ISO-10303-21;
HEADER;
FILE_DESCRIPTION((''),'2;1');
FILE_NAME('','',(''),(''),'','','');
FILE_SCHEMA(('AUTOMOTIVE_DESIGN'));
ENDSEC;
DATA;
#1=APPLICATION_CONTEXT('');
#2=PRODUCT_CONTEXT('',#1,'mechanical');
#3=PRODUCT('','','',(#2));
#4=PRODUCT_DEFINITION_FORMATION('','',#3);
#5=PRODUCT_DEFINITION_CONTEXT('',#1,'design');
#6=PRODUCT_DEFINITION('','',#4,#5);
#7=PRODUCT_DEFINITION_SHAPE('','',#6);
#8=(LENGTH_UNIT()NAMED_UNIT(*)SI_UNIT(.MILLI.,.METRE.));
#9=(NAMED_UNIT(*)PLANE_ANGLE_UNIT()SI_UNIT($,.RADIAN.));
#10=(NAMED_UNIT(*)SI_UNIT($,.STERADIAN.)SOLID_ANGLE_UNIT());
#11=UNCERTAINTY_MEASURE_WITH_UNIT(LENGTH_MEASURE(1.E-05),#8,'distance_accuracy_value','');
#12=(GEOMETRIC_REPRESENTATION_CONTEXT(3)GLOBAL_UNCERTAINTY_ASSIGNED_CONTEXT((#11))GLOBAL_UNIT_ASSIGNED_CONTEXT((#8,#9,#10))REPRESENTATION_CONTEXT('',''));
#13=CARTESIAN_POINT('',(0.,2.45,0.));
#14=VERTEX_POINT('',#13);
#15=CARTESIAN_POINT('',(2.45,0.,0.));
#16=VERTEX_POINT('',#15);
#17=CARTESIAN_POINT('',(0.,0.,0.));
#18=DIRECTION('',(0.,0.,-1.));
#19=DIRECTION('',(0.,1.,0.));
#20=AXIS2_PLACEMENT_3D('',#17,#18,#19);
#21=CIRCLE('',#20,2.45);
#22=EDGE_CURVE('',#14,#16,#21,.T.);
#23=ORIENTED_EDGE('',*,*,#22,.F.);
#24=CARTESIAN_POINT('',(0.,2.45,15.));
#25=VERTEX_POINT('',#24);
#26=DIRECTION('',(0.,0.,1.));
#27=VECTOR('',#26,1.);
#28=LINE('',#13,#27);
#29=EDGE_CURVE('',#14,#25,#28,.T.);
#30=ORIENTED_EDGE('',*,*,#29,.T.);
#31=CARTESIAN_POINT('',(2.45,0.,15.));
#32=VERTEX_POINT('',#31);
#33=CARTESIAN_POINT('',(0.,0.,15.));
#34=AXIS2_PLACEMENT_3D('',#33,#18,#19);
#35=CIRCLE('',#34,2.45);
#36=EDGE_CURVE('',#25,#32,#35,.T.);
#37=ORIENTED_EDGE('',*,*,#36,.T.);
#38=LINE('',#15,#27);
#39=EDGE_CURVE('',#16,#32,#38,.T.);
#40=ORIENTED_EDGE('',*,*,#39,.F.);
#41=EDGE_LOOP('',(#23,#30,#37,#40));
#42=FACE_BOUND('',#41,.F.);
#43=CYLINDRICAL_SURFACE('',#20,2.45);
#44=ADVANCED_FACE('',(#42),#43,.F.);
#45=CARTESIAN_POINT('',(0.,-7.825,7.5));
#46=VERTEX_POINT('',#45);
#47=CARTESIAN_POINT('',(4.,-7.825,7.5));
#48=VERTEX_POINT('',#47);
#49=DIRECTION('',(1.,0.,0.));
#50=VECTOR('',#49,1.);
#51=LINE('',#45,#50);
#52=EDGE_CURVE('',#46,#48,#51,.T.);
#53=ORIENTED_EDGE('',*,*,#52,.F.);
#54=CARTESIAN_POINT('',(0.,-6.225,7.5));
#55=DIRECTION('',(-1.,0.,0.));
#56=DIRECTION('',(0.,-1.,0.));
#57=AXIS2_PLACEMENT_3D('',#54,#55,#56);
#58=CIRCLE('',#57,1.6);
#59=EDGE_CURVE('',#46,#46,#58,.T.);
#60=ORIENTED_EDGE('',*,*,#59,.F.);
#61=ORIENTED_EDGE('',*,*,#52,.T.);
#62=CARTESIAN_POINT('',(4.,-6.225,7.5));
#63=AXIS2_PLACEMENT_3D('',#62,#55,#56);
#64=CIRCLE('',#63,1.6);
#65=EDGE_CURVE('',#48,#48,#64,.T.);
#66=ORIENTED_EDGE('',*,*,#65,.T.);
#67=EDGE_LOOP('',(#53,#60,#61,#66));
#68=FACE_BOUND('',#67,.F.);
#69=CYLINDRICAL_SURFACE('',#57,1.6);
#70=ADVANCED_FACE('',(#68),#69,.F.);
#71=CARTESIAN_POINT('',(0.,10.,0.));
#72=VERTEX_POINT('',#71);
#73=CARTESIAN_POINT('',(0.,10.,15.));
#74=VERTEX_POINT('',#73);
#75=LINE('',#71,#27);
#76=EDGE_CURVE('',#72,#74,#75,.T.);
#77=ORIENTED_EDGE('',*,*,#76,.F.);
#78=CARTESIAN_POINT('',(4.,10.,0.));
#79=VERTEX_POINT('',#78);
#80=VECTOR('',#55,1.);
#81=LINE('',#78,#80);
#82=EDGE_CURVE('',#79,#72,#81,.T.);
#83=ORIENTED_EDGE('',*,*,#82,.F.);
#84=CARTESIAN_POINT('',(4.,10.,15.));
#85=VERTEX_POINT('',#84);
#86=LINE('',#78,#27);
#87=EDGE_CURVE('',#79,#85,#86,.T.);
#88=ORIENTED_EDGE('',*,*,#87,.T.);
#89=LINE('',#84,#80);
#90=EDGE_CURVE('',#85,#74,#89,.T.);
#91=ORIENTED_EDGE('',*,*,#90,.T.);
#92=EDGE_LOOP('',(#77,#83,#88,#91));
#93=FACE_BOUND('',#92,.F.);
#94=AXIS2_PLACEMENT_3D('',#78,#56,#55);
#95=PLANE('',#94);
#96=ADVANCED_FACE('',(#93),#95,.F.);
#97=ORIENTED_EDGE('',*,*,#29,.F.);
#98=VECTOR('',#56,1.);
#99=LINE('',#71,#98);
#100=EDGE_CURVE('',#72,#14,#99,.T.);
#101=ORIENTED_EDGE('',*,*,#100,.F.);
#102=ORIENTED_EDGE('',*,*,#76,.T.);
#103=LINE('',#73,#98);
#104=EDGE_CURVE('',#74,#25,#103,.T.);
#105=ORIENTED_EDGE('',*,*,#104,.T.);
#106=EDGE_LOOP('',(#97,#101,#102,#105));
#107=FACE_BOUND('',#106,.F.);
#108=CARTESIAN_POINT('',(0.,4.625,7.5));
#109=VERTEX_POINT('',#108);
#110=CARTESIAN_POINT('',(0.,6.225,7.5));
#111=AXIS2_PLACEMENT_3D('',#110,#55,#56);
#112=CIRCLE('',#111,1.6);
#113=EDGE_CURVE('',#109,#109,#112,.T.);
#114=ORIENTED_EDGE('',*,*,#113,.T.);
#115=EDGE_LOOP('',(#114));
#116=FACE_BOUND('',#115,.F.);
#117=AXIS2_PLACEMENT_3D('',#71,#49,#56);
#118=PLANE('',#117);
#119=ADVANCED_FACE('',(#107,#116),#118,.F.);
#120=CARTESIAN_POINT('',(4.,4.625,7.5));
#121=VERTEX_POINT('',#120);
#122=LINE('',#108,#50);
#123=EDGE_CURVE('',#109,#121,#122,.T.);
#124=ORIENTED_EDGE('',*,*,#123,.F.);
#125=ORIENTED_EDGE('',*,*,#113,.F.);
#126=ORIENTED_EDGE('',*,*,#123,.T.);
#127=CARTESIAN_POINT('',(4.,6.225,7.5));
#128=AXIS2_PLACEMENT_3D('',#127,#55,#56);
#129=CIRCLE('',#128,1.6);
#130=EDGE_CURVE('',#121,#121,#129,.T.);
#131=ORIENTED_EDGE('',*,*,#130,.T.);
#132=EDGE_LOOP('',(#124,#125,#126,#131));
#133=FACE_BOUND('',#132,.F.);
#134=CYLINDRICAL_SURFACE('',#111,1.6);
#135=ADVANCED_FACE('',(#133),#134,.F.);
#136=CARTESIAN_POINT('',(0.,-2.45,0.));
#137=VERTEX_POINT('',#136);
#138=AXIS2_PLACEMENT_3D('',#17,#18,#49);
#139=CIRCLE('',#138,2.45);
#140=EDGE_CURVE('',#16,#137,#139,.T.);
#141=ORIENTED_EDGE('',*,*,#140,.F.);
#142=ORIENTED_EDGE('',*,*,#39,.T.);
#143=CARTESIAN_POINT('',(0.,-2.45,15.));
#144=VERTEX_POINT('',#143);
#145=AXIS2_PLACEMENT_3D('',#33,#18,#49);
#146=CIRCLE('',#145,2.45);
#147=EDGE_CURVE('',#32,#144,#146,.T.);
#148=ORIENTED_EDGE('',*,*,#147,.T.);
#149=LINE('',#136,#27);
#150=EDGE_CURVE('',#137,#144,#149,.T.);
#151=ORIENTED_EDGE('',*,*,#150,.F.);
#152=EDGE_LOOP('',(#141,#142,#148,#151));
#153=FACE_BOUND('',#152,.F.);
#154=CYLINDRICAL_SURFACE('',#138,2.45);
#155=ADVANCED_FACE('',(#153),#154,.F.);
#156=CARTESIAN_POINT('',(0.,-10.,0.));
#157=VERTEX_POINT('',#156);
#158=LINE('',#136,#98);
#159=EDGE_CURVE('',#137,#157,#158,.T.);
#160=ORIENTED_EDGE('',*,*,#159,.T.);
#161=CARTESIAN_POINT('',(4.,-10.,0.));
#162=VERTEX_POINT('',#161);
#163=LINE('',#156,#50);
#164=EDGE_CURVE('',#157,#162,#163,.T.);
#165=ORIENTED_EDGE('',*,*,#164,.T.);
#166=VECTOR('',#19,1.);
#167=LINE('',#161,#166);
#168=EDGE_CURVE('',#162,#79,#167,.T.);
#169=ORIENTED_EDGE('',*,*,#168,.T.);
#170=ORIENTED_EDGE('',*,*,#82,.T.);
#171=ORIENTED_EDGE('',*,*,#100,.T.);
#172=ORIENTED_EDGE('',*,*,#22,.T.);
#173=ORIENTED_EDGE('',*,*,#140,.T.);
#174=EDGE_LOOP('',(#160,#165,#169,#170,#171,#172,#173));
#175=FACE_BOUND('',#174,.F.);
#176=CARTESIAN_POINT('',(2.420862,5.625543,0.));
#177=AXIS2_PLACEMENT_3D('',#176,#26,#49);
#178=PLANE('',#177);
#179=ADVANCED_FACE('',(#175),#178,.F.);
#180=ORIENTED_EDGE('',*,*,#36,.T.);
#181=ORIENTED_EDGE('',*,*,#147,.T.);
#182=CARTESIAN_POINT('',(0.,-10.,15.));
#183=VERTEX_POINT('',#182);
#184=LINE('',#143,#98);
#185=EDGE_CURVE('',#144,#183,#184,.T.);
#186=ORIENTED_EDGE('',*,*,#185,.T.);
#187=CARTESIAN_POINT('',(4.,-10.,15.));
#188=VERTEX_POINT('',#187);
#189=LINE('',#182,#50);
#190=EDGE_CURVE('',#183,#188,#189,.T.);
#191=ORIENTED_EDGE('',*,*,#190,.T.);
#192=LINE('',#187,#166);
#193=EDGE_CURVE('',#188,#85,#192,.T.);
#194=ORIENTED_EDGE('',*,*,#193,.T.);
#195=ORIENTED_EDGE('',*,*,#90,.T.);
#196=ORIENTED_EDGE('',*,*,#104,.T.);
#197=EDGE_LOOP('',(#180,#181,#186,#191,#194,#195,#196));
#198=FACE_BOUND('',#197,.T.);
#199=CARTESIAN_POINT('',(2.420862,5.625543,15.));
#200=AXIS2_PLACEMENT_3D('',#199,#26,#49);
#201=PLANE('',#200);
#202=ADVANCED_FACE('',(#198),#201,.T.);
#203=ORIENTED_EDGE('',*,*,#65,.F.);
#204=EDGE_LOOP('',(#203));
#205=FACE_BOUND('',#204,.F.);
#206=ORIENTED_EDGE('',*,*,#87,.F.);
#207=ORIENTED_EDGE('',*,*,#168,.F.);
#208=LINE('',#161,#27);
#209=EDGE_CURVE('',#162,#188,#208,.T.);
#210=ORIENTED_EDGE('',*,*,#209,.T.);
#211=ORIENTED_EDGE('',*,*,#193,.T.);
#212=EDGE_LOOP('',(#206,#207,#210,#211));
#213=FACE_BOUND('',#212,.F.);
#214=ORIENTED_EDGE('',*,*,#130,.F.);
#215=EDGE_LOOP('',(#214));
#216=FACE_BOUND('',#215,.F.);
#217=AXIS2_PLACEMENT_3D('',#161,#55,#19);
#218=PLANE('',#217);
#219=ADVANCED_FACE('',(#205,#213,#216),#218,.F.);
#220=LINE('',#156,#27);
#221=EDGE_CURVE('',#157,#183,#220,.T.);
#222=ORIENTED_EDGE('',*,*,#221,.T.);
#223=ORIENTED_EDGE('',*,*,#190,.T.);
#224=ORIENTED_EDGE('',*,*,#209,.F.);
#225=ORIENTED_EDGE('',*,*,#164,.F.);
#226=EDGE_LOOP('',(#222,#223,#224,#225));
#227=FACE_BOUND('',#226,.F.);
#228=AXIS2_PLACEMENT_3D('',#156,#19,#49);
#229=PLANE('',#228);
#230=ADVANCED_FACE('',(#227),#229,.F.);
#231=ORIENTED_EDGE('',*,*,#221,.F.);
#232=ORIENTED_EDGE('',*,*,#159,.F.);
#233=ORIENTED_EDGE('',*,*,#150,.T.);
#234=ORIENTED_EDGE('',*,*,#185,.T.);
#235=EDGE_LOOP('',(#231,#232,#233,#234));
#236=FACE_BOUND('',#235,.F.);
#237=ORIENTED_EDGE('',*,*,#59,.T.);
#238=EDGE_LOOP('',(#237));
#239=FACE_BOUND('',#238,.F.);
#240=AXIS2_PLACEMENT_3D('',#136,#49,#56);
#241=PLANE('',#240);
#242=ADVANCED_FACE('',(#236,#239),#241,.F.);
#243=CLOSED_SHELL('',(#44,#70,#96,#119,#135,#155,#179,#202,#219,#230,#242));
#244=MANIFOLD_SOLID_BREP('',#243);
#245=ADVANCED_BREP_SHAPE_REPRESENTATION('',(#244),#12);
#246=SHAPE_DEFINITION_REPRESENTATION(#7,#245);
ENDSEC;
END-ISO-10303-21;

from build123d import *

# Parameters (mm, degrees)
F1_DEPTH = 15
F3_DEPTH = 25
F4_R     = 1.6
F5_DEPTH = 25


with BuildPart() as f1:
    # F0 (on Top) → F1 (new body)
    with BuildSketch(Plane.XY):
        with BuildLine():
            ThreePointArc((0, 4), (2.8284271247, 2.8284271247), (4, 0))
            Line((4, 0), (4, 10))
            Line((4, 10), (0, 10))
            Line((0, 10), (0, 4))
        make_face()
        with BuildLine():
            Line((4, -10), (4, 0))
            ThreePointArc((4, 0), (2.8284271247, -2.8284271247), (0, -4))
            Line((0, -4), (0, -10))
            Line((0, -10), (4, -10))
        make_face()
        with BuildLine():
            ThreePointArc((0, 2.45), (1.7324116139, 1.7324116139), (2.45, 0))
            Line((2.45, 0), (4, 0))
            ThreePointArc((4, 0), (2.8284271247, 2.8284271247), (0, 4))
            Line((0, 4), (0, 2.45))
        make_face()
        with BuildLine():
            Line((4, 0), (2.45, 0))
            ThreePointArc((2.45, 0), (1.7324116139, -1.7324116139), (0, -2.45))
            Line((0, -2.45), (0, -4))
            ThreePointArc((0, -4), (2.8284271247, -2.8284271247), (4, 0))
        make_face()
    extrude(amount=F1_DEPTH)

    # F2 (on face) → F3 (cut)
    with BuildSketch(Plane(origin=(0, 0, 0), x_dir=(0, -1, 0), z_dir=(-1, 0, 0))):
        with BuildLine():
            ThreePointArc((4.625, 7.5), (6.225, 5.9), (7.825, 7.5))
            Line((7.825, 7.5), (4.625, 7.5))
        make_face()
        with BuildLine():
            Line((4.625, 7.5), (7.825, 7.5))
            ThreePointArc((7.825, 7.5), (6.225, 9.1), (4.625, 7.5))
        make_face()
    extrude(amount=-F3_DEPTH, mode=Mode.SUBTRACT)

    # F4 (on face) → F5 (cut)
    with BuildSketch(Plane(origin=(0, 0, 0), x_dir=(0, -1, 0), z_dir=(-1, 0, 0))):
        with Locations((-6.225, 7.5)):
            Circle(F4_R)
    extrude(amount=-F5_DEPTH, mode=Mode.SUBTRACT)


solid = f1.part
